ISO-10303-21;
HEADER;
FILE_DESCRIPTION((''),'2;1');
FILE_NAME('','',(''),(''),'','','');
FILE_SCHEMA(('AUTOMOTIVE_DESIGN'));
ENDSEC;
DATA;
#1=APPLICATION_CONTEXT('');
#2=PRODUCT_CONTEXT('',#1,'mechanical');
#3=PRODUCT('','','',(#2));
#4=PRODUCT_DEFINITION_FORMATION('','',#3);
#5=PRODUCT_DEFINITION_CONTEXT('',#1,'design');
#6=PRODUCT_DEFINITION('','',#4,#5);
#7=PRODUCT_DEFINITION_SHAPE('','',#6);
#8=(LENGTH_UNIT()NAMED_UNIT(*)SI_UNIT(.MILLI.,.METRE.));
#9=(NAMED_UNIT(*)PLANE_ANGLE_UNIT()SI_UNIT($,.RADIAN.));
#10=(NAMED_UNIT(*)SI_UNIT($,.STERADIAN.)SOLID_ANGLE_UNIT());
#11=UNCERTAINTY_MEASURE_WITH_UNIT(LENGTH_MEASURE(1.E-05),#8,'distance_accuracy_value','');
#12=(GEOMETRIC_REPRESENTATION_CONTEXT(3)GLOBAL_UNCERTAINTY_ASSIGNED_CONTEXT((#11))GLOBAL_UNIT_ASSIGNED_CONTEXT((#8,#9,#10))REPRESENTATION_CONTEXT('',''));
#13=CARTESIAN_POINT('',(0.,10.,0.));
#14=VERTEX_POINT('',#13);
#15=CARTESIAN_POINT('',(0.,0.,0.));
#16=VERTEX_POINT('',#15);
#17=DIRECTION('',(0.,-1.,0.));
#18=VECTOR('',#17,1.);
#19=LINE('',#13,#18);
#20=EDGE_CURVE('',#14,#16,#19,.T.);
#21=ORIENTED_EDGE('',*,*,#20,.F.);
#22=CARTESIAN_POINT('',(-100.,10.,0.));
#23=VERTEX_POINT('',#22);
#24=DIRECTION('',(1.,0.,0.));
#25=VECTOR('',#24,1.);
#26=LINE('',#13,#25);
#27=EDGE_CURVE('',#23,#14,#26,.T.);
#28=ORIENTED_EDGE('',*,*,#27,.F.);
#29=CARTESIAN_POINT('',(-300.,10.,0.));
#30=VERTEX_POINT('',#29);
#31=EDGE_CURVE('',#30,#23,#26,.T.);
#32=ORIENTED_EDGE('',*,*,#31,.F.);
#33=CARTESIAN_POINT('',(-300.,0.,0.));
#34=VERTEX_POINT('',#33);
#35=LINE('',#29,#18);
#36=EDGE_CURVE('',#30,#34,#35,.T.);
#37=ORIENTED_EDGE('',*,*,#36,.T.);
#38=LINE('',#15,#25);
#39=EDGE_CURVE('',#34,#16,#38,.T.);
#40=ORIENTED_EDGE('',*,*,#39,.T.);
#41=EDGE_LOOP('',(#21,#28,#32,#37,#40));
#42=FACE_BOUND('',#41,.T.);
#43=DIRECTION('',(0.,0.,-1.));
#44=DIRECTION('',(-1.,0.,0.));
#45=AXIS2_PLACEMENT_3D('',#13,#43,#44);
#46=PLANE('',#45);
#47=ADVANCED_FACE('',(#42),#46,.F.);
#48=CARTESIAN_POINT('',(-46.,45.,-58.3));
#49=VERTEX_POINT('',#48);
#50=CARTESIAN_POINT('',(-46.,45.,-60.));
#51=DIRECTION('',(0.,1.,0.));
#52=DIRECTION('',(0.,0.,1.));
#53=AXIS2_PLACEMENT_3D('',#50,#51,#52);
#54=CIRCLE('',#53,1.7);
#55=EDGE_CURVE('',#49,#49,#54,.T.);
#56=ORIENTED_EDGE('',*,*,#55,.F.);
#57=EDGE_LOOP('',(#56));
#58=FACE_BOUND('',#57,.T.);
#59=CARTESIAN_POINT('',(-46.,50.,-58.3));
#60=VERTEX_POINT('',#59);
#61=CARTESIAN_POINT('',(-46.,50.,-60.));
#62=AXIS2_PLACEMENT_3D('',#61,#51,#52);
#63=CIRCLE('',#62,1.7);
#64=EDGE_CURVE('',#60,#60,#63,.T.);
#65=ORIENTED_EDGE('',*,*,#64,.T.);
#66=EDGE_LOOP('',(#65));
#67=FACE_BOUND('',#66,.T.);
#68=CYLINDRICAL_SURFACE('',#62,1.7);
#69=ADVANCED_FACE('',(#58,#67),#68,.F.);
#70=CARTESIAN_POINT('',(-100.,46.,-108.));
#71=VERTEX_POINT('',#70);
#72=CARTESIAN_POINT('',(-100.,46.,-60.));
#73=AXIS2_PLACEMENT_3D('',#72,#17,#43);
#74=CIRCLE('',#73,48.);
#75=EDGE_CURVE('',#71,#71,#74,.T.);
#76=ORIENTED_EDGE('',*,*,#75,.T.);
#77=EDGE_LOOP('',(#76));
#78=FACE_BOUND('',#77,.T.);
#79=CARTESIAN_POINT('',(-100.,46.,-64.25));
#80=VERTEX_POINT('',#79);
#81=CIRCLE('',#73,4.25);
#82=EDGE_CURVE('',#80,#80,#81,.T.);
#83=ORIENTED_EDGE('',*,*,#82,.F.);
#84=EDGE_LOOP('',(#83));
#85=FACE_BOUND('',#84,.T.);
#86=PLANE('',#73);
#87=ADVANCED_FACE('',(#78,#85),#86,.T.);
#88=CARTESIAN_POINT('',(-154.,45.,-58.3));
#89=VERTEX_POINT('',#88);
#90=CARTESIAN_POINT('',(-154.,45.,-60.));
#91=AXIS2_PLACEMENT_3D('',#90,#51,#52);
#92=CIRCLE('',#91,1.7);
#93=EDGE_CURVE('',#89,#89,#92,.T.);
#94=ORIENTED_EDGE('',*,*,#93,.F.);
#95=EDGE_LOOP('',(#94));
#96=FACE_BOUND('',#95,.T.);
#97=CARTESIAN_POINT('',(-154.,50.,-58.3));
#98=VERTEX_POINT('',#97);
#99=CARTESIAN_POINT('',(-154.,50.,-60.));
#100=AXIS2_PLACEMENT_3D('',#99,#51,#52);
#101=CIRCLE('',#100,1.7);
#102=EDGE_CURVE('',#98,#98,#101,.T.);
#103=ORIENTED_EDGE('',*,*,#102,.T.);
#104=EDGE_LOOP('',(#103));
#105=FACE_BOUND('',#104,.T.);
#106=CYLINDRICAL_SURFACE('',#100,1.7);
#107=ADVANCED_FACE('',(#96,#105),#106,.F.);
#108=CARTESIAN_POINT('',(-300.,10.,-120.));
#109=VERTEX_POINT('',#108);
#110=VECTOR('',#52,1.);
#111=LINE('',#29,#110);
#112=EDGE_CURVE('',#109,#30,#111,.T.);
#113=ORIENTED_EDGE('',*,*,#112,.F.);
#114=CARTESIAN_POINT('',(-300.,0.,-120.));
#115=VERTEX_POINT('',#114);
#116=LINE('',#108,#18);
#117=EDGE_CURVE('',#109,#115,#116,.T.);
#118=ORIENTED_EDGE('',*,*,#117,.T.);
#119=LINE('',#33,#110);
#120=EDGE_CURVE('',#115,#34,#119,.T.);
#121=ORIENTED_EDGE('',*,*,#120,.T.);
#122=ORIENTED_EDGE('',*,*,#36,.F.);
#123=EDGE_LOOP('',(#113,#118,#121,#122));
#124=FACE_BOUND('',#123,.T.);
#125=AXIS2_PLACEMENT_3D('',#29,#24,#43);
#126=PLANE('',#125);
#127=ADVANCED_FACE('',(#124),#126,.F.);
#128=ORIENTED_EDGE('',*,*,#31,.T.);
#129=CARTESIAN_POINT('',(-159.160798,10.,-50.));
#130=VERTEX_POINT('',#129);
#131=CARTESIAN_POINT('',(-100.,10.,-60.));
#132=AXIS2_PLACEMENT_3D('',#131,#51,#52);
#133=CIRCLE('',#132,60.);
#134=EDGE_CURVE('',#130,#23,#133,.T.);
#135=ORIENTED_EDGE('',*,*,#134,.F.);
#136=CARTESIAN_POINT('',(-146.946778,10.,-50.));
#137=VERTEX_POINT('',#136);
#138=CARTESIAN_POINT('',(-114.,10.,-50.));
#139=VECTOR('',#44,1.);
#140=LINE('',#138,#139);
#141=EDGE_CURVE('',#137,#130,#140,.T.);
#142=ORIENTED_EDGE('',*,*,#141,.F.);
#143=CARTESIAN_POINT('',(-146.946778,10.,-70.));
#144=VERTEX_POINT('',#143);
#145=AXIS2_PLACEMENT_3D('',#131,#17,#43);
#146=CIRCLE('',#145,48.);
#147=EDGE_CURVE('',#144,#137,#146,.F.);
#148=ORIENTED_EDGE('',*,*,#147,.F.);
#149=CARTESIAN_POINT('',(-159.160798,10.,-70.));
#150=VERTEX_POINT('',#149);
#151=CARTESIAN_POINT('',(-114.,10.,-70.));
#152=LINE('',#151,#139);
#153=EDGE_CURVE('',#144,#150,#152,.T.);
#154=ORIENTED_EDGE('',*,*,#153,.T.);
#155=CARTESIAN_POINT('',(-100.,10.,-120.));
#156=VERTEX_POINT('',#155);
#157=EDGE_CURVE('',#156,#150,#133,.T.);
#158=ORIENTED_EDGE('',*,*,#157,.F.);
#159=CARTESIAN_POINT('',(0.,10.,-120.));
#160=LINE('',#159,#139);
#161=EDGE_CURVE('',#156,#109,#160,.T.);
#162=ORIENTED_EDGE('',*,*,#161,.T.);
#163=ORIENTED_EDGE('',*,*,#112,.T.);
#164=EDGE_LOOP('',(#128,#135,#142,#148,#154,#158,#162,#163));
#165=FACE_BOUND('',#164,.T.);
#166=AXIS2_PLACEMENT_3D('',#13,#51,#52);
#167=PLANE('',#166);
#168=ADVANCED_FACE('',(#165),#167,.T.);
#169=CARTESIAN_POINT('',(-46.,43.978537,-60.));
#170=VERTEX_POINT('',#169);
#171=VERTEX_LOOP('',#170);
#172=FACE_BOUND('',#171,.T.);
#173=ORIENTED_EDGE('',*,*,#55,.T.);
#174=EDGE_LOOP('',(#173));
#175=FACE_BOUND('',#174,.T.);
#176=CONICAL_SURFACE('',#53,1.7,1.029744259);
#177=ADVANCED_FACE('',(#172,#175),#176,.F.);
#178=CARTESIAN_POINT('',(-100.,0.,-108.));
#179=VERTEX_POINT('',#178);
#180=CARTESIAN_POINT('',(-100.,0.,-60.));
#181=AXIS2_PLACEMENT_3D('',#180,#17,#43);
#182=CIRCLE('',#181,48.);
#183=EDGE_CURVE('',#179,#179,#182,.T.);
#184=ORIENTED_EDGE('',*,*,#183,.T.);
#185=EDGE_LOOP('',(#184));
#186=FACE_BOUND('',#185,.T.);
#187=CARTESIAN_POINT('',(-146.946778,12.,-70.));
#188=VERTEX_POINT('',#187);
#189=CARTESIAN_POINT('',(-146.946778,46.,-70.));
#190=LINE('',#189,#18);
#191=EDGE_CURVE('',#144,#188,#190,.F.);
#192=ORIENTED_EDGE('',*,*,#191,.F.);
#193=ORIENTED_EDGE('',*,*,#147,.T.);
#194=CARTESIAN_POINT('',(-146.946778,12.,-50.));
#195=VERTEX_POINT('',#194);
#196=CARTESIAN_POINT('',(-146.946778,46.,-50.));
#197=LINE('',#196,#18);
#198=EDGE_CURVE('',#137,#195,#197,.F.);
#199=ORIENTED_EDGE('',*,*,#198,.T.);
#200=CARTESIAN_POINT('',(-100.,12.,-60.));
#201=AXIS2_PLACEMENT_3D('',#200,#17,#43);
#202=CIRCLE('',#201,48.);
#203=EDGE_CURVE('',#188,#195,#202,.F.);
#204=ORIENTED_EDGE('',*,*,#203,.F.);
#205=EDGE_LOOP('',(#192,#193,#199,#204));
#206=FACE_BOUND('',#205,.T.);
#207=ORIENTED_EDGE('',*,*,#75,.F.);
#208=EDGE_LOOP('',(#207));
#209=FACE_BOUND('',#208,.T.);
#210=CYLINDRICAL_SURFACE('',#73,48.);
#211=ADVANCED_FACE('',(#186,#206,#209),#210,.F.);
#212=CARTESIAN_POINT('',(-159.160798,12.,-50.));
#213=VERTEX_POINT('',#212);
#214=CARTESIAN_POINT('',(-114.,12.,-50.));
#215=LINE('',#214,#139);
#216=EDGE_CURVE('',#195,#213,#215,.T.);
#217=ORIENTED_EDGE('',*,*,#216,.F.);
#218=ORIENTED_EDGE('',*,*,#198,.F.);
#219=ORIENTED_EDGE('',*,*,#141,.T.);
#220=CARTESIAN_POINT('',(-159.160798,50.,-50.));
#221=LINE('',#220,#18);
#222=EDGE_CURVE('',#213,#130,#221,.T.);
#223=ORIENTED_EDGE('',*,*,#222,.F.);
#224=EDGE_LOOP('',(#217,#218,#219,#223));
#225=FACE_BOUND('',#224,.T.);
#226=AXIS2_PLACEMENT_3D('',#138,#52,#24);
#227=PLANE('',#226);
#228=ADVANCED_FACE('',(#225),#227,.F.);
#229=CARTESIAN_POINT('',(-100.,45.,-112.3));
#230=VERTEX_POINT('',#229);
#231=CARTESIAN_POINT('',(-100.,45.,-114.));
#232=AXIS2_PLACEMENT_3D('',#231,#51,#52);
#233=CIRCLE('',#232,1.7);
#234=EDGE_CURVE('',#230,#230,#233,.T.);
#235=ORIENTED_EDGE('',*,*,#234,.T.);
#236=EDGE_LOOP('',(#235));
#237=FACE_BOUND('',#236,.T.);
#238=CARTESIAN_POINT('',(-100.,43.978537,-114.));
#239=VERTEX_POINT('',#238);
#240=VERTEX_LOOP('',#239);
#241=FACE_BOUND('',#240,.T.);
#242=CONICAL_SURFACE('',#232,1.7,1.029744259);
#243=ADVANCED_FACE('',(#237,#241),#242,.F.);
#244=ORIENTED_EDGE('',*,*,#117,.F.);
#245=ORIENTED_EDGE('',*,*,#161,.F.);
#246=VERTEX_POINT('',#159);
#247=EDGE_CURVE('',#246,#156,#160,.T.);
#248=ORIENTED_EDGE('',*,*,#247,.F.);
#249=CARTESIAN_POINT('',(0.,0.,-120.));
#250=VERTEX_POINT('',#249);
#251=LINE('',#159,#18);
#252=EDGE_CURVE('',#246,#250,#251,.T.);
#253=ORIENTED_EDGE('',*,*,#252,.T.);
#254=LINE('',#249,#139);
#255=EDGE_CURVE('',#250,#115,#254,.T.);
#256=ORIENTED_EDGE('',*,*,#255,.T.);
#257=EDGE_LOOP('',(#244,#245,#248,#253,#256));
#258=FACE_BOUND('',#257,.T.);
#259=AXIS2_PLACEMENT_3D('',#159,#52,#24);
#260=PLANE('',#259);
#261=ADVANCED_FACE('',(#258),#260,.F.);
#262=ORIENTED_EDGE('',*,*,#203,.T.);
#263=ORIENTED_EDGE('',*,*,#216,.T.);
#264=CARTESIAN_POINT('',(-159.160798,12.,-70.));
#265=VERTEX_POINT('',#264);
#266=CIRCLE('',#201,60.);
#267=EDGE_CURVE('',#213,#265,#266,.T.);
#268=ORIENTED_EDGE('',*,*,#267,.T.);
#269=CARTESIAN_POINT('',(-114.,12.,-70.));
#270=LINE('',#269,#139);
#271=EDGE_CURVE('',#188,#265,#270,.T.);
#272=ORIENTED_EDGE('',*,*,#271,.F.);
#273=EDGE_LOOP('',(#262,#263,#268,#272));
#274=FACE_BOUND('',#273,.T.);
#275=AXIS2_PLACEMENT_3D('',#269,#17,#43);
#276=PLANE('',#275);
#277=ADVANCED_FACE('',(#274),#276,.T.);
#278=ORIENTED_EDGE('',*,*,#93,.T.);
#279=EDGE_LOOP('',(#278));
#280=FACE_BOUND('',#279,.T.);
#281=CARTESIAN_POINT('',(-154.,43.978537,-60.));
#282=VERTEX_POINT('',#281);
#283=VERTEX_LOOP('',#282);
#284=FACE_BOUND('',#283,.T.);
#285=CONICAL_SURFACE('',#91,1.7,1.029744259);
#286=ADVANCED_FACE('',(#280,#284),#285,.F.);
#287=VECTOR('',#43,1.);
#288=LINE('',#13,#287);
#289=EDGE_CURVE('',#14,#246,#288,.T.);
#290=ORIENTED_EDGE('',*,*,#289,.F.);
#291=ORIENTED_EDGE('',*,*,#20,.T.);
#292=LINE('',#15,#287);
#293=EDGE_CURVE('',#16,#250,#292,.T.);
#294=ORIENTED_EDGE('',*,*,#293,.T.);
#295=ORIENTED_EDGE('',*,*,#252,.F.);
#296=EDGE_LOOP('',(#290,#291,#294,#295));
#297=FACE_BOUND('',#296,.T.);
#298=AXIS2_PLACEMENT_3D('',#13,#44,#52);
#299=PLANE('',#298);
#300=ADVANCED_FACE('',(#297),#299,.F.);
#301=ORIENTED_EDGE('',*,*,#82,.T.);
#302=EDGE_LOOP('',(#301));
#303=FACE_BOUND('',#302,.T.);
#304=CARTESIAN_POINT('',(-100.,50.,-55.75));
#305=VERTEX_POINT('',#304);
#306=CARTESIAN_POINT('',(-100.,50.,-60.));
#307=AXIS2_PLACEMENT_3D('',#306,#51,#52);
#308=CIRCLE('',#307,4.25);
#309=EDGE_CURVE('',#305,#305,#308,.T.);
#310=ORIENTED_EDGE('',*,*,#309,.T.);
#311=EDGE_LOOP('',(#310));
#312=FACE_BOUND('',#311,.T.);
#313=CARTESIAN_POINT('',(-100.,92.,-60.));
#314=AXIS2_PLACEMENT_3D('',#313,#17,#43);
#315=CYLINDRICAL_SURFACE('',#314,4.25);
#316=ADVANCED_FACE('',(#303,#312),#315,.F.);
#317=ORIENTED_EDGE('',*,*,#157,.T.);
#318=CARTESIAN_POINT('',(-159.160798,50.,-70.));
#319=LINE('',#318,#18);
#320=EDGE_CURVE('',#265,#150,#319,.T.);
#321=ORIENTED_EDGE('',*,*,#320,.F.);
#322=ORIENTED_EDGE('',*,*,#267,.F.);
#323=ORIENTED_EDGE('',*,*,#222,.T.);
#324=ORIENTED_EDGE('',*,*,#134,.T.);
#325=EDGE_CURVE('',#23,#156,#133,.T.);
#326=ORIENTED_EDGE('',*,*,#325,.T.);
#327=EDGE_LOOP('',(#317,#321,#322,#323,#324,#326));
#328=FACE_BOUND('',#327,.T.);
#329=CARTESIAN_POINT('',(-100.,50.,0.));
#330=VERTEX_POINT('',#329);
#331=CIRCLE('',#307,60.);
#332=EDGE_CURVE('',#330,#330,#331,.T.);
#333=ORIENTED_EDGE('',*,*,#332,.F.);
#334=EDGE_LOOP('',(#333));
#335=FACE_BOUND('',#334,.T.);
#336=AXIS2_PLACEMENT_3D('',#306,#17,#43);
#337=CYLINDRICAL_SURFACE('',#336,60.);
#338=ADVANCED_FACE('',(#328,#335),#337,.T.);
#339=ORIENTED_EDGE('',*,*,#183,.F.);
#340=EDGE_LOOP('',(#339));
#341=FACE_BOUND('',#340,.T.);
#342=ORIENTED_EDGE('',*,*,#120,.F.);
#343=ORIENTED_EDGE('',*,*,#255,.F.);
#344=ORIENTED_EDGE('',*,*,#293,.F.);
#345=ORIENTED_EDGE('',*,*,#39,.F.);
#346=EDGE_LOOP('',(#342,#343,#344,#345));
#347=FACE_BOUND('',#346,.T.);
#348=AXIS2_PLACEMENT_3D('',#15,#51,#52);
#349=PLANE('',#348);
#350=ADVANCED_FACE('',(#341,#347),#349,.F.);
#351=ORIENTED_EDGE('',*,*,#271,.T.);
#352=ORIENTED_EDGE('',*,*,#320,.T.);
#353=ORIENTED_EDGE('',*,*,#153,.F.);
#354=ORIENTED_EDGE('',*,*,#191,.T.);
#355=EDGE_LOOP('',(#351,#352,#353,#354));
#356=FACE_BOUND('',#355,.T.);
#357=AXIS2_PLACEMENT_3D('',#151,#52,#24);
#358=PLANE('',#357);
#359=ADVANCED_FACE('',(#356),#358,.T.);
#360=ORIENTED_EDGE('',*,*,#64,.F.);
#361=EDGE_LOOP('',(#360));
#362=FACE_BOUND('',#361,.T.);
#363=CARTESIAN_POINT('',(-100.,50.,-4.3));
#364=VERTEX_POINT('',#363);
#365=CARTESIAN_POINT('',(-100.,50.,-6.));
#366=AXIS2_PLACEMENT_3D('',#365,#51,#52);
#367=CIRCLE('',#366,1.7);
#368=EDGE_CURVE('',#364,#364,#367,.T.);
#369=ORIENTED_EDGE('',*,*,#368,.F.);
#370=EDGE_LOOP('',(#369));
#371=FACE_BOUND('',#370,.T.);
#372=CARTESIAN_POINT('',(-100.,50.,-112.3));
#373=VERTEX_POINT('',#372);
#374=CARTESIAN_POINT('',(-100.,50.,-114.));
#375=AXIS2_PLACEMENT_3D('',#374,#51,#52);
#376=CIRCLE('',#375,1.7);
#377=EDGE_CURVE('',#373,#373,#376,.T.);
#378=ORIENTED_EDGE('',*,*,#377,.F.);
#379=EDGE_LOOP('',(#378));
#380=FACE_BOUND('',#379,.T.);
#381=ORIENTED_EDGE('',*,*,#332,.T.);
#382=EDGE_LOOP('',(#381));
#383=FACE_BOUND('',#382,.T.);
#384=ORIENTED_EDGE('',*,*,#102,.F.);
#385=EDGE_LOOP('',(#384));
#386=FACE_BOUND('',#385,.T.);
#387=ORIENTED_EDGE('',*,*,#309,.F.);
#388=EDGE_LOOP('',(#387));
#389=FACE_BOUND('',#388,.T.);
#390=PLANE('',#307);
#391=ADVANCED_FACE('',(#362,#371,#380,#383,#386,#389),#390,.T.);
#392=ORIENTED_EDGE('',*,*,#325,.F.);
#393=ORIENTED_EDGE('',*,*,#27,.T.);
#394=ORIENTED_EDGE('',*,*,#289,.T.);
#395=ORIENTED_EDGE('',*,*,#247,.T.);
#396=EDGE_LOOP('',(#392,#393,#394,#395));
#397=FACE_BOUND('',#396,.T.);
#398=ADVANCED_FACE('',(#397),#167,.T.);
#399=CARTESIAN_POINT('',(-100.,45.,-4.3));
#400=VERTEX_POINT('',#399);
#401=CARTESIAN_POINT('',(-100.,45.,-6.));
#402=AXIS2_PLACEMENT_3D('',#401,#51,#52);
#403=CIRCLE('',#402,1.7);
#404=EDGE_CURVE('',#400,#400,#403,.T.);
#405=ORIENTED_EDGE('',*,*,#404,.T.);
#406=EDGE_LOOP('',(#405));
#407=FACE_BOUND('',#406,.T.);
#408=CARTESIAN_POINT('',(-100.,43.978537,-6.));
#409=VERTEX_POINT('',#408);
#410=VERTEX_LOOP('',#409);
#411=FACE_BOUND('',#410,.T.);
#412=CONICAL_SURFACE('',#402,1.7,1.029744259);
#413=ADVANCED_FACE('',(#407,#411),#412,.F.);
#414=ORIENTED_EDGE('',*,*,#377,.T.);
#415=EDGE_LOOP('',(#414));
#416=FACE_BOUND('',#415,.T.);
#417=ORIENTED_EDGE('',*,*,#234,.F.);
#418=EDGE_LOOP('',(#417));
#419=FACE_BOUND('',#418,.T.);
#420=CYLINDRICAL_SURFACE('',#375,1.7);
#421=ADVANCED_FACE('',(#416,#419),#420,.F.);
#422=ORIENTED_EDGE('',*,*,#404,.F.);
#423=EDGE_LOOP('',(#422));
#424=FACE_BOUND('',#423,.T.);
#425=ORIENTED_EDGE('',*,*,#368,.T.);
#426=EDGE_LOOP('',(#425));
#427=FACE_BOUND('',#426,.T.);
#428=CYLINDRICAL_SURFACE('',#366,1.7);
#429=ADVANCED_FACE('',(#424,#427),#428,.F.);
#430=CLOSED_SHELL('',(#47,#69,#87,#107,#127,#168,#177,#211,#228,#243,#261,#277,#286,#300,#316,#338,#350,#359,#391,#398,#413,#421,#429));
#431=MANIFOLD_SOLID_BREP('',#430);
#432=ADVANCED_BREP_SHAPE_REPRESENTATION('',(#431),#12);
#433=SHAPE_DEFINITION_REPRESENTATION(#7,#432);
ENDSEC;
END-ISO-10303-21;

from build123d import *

# Parameters (mm, degrees)
SCHIZZO1_W                   = 300
SCHIZZO1_H                   = 120
ESTRUSIONE_ESTRUSIONE1_DEPTH = 10
SCHIZZO4_R                   = 60
ESTRUSIONE_ESTRUSIONE2_DEPTH = 40
SCHIZZO5_R                   = 48
TAGLIO_ESTRUSIONE1_DEPTH     = 46
SCHIZZO6_R                   = 4.25
TAGLIO_ESTRUSIONE2_DEPTH     = 46
SCHIZZO7_W                   = 20
SCHIZZO7_H                   = 2
TAGLIO_ESTRUSIONE3_DEPTH     = 46
FORO_PER_VITE_M3_1_D         = 3.4
FORO_PER_VITE_M3_1_DEPTH     = 5
FORO_PER_VITE_M3_1_TIP       = 1.021463052


with BuildPart() as part:
    # Schizzo1 → Estrusione-Estrusione1 (new body)
    with BuildSketch(Plane(origin=(0, 0, 0), x_dir=(1, 0, 0), z_dir=(0, 1, 0))):
        with Locations((-150, 60)):
            Rectangle(SCHIZZO1_W, SCHIZZO1_H)
    extrude(amount=ESTRUSIONE_ESTRUSIONE1_DEPTH)

    # Schizzo4 → Estrusione-Estrusione2 (add)
    with BuildSketch(Plane(origin=(0, 10, 0), x_dir=(1, 0, 0), z_dir=(0, 1, 0))):
        with Locations(Location((-100, 60, 0), (0, 0, 270))):
            Circle(SCHIZZO4_R)
    extrude(amount=ESTRUSIONE_ESTRUSIONE2_DEPTH)

    # Schizzo5 → Taglio-Estrusione1 (cut)
    with BuildSketch(Plane.XZ):
        with Locations(Location((-100, -60, 0), (0, 0, 270))):
            Circle(SCHIZZO5_R)
    extrude(amount=-TAGLIO_ESTRUSIONE1_DEPTH, mode=Mode.SUBTRACT)

    # Schizzo6 → Taglio-Estrusione2 (cut)
    with BuildSketch(Plane.XZ.offset(-46)):
        with Locations(Location((-100, -60, 0), (0, 0, 270))):
            Circle(SCHIZZO6_R)
    extrude(amount=-TAGLIO_ESTRUSIONE2_DEPTH, mode=Mode.SUBTRACT)

    # Schizzo7 → Taglio-Estrusione3 (cut)
    with BuildSketch(Plane.ZY.offset(160)):
        with Locations((-60, 11)):
            Rectangle(SCHIZZO7_W, SCHIZZO7_H)
    extrude(amount=-TAGLIO_ESTRUSIONE3_DEPTH, mode=Mode.SUBTRACT)

    # Foro per Vite M3-1
    with Locations(Plane(origin=(0, 50, 0), x_dir=(1, 0, 0), z_dir=(0, 1, 0))):
        with Locations((-154, 60), (-100, 114), (-46, 60), (-100, 6)):
            Hole(FORO_PER_VITE_M3_1_D / 2, depth=FORO_PER_VITE_M3_1_DEPTH)
            with Locations((0, 0, -(FORO_PER_VITE_M3_1_DEPTH + FORO_PER_VITE_M3_1_TIP / 2))):  # 118° drill point
                Cone(0, FORO_PER_VITE_M3_1_D / 2, FORO_PER_VITE_M3_1_TIP, mode=Mode.SUBTRACT)


solid = part.part
